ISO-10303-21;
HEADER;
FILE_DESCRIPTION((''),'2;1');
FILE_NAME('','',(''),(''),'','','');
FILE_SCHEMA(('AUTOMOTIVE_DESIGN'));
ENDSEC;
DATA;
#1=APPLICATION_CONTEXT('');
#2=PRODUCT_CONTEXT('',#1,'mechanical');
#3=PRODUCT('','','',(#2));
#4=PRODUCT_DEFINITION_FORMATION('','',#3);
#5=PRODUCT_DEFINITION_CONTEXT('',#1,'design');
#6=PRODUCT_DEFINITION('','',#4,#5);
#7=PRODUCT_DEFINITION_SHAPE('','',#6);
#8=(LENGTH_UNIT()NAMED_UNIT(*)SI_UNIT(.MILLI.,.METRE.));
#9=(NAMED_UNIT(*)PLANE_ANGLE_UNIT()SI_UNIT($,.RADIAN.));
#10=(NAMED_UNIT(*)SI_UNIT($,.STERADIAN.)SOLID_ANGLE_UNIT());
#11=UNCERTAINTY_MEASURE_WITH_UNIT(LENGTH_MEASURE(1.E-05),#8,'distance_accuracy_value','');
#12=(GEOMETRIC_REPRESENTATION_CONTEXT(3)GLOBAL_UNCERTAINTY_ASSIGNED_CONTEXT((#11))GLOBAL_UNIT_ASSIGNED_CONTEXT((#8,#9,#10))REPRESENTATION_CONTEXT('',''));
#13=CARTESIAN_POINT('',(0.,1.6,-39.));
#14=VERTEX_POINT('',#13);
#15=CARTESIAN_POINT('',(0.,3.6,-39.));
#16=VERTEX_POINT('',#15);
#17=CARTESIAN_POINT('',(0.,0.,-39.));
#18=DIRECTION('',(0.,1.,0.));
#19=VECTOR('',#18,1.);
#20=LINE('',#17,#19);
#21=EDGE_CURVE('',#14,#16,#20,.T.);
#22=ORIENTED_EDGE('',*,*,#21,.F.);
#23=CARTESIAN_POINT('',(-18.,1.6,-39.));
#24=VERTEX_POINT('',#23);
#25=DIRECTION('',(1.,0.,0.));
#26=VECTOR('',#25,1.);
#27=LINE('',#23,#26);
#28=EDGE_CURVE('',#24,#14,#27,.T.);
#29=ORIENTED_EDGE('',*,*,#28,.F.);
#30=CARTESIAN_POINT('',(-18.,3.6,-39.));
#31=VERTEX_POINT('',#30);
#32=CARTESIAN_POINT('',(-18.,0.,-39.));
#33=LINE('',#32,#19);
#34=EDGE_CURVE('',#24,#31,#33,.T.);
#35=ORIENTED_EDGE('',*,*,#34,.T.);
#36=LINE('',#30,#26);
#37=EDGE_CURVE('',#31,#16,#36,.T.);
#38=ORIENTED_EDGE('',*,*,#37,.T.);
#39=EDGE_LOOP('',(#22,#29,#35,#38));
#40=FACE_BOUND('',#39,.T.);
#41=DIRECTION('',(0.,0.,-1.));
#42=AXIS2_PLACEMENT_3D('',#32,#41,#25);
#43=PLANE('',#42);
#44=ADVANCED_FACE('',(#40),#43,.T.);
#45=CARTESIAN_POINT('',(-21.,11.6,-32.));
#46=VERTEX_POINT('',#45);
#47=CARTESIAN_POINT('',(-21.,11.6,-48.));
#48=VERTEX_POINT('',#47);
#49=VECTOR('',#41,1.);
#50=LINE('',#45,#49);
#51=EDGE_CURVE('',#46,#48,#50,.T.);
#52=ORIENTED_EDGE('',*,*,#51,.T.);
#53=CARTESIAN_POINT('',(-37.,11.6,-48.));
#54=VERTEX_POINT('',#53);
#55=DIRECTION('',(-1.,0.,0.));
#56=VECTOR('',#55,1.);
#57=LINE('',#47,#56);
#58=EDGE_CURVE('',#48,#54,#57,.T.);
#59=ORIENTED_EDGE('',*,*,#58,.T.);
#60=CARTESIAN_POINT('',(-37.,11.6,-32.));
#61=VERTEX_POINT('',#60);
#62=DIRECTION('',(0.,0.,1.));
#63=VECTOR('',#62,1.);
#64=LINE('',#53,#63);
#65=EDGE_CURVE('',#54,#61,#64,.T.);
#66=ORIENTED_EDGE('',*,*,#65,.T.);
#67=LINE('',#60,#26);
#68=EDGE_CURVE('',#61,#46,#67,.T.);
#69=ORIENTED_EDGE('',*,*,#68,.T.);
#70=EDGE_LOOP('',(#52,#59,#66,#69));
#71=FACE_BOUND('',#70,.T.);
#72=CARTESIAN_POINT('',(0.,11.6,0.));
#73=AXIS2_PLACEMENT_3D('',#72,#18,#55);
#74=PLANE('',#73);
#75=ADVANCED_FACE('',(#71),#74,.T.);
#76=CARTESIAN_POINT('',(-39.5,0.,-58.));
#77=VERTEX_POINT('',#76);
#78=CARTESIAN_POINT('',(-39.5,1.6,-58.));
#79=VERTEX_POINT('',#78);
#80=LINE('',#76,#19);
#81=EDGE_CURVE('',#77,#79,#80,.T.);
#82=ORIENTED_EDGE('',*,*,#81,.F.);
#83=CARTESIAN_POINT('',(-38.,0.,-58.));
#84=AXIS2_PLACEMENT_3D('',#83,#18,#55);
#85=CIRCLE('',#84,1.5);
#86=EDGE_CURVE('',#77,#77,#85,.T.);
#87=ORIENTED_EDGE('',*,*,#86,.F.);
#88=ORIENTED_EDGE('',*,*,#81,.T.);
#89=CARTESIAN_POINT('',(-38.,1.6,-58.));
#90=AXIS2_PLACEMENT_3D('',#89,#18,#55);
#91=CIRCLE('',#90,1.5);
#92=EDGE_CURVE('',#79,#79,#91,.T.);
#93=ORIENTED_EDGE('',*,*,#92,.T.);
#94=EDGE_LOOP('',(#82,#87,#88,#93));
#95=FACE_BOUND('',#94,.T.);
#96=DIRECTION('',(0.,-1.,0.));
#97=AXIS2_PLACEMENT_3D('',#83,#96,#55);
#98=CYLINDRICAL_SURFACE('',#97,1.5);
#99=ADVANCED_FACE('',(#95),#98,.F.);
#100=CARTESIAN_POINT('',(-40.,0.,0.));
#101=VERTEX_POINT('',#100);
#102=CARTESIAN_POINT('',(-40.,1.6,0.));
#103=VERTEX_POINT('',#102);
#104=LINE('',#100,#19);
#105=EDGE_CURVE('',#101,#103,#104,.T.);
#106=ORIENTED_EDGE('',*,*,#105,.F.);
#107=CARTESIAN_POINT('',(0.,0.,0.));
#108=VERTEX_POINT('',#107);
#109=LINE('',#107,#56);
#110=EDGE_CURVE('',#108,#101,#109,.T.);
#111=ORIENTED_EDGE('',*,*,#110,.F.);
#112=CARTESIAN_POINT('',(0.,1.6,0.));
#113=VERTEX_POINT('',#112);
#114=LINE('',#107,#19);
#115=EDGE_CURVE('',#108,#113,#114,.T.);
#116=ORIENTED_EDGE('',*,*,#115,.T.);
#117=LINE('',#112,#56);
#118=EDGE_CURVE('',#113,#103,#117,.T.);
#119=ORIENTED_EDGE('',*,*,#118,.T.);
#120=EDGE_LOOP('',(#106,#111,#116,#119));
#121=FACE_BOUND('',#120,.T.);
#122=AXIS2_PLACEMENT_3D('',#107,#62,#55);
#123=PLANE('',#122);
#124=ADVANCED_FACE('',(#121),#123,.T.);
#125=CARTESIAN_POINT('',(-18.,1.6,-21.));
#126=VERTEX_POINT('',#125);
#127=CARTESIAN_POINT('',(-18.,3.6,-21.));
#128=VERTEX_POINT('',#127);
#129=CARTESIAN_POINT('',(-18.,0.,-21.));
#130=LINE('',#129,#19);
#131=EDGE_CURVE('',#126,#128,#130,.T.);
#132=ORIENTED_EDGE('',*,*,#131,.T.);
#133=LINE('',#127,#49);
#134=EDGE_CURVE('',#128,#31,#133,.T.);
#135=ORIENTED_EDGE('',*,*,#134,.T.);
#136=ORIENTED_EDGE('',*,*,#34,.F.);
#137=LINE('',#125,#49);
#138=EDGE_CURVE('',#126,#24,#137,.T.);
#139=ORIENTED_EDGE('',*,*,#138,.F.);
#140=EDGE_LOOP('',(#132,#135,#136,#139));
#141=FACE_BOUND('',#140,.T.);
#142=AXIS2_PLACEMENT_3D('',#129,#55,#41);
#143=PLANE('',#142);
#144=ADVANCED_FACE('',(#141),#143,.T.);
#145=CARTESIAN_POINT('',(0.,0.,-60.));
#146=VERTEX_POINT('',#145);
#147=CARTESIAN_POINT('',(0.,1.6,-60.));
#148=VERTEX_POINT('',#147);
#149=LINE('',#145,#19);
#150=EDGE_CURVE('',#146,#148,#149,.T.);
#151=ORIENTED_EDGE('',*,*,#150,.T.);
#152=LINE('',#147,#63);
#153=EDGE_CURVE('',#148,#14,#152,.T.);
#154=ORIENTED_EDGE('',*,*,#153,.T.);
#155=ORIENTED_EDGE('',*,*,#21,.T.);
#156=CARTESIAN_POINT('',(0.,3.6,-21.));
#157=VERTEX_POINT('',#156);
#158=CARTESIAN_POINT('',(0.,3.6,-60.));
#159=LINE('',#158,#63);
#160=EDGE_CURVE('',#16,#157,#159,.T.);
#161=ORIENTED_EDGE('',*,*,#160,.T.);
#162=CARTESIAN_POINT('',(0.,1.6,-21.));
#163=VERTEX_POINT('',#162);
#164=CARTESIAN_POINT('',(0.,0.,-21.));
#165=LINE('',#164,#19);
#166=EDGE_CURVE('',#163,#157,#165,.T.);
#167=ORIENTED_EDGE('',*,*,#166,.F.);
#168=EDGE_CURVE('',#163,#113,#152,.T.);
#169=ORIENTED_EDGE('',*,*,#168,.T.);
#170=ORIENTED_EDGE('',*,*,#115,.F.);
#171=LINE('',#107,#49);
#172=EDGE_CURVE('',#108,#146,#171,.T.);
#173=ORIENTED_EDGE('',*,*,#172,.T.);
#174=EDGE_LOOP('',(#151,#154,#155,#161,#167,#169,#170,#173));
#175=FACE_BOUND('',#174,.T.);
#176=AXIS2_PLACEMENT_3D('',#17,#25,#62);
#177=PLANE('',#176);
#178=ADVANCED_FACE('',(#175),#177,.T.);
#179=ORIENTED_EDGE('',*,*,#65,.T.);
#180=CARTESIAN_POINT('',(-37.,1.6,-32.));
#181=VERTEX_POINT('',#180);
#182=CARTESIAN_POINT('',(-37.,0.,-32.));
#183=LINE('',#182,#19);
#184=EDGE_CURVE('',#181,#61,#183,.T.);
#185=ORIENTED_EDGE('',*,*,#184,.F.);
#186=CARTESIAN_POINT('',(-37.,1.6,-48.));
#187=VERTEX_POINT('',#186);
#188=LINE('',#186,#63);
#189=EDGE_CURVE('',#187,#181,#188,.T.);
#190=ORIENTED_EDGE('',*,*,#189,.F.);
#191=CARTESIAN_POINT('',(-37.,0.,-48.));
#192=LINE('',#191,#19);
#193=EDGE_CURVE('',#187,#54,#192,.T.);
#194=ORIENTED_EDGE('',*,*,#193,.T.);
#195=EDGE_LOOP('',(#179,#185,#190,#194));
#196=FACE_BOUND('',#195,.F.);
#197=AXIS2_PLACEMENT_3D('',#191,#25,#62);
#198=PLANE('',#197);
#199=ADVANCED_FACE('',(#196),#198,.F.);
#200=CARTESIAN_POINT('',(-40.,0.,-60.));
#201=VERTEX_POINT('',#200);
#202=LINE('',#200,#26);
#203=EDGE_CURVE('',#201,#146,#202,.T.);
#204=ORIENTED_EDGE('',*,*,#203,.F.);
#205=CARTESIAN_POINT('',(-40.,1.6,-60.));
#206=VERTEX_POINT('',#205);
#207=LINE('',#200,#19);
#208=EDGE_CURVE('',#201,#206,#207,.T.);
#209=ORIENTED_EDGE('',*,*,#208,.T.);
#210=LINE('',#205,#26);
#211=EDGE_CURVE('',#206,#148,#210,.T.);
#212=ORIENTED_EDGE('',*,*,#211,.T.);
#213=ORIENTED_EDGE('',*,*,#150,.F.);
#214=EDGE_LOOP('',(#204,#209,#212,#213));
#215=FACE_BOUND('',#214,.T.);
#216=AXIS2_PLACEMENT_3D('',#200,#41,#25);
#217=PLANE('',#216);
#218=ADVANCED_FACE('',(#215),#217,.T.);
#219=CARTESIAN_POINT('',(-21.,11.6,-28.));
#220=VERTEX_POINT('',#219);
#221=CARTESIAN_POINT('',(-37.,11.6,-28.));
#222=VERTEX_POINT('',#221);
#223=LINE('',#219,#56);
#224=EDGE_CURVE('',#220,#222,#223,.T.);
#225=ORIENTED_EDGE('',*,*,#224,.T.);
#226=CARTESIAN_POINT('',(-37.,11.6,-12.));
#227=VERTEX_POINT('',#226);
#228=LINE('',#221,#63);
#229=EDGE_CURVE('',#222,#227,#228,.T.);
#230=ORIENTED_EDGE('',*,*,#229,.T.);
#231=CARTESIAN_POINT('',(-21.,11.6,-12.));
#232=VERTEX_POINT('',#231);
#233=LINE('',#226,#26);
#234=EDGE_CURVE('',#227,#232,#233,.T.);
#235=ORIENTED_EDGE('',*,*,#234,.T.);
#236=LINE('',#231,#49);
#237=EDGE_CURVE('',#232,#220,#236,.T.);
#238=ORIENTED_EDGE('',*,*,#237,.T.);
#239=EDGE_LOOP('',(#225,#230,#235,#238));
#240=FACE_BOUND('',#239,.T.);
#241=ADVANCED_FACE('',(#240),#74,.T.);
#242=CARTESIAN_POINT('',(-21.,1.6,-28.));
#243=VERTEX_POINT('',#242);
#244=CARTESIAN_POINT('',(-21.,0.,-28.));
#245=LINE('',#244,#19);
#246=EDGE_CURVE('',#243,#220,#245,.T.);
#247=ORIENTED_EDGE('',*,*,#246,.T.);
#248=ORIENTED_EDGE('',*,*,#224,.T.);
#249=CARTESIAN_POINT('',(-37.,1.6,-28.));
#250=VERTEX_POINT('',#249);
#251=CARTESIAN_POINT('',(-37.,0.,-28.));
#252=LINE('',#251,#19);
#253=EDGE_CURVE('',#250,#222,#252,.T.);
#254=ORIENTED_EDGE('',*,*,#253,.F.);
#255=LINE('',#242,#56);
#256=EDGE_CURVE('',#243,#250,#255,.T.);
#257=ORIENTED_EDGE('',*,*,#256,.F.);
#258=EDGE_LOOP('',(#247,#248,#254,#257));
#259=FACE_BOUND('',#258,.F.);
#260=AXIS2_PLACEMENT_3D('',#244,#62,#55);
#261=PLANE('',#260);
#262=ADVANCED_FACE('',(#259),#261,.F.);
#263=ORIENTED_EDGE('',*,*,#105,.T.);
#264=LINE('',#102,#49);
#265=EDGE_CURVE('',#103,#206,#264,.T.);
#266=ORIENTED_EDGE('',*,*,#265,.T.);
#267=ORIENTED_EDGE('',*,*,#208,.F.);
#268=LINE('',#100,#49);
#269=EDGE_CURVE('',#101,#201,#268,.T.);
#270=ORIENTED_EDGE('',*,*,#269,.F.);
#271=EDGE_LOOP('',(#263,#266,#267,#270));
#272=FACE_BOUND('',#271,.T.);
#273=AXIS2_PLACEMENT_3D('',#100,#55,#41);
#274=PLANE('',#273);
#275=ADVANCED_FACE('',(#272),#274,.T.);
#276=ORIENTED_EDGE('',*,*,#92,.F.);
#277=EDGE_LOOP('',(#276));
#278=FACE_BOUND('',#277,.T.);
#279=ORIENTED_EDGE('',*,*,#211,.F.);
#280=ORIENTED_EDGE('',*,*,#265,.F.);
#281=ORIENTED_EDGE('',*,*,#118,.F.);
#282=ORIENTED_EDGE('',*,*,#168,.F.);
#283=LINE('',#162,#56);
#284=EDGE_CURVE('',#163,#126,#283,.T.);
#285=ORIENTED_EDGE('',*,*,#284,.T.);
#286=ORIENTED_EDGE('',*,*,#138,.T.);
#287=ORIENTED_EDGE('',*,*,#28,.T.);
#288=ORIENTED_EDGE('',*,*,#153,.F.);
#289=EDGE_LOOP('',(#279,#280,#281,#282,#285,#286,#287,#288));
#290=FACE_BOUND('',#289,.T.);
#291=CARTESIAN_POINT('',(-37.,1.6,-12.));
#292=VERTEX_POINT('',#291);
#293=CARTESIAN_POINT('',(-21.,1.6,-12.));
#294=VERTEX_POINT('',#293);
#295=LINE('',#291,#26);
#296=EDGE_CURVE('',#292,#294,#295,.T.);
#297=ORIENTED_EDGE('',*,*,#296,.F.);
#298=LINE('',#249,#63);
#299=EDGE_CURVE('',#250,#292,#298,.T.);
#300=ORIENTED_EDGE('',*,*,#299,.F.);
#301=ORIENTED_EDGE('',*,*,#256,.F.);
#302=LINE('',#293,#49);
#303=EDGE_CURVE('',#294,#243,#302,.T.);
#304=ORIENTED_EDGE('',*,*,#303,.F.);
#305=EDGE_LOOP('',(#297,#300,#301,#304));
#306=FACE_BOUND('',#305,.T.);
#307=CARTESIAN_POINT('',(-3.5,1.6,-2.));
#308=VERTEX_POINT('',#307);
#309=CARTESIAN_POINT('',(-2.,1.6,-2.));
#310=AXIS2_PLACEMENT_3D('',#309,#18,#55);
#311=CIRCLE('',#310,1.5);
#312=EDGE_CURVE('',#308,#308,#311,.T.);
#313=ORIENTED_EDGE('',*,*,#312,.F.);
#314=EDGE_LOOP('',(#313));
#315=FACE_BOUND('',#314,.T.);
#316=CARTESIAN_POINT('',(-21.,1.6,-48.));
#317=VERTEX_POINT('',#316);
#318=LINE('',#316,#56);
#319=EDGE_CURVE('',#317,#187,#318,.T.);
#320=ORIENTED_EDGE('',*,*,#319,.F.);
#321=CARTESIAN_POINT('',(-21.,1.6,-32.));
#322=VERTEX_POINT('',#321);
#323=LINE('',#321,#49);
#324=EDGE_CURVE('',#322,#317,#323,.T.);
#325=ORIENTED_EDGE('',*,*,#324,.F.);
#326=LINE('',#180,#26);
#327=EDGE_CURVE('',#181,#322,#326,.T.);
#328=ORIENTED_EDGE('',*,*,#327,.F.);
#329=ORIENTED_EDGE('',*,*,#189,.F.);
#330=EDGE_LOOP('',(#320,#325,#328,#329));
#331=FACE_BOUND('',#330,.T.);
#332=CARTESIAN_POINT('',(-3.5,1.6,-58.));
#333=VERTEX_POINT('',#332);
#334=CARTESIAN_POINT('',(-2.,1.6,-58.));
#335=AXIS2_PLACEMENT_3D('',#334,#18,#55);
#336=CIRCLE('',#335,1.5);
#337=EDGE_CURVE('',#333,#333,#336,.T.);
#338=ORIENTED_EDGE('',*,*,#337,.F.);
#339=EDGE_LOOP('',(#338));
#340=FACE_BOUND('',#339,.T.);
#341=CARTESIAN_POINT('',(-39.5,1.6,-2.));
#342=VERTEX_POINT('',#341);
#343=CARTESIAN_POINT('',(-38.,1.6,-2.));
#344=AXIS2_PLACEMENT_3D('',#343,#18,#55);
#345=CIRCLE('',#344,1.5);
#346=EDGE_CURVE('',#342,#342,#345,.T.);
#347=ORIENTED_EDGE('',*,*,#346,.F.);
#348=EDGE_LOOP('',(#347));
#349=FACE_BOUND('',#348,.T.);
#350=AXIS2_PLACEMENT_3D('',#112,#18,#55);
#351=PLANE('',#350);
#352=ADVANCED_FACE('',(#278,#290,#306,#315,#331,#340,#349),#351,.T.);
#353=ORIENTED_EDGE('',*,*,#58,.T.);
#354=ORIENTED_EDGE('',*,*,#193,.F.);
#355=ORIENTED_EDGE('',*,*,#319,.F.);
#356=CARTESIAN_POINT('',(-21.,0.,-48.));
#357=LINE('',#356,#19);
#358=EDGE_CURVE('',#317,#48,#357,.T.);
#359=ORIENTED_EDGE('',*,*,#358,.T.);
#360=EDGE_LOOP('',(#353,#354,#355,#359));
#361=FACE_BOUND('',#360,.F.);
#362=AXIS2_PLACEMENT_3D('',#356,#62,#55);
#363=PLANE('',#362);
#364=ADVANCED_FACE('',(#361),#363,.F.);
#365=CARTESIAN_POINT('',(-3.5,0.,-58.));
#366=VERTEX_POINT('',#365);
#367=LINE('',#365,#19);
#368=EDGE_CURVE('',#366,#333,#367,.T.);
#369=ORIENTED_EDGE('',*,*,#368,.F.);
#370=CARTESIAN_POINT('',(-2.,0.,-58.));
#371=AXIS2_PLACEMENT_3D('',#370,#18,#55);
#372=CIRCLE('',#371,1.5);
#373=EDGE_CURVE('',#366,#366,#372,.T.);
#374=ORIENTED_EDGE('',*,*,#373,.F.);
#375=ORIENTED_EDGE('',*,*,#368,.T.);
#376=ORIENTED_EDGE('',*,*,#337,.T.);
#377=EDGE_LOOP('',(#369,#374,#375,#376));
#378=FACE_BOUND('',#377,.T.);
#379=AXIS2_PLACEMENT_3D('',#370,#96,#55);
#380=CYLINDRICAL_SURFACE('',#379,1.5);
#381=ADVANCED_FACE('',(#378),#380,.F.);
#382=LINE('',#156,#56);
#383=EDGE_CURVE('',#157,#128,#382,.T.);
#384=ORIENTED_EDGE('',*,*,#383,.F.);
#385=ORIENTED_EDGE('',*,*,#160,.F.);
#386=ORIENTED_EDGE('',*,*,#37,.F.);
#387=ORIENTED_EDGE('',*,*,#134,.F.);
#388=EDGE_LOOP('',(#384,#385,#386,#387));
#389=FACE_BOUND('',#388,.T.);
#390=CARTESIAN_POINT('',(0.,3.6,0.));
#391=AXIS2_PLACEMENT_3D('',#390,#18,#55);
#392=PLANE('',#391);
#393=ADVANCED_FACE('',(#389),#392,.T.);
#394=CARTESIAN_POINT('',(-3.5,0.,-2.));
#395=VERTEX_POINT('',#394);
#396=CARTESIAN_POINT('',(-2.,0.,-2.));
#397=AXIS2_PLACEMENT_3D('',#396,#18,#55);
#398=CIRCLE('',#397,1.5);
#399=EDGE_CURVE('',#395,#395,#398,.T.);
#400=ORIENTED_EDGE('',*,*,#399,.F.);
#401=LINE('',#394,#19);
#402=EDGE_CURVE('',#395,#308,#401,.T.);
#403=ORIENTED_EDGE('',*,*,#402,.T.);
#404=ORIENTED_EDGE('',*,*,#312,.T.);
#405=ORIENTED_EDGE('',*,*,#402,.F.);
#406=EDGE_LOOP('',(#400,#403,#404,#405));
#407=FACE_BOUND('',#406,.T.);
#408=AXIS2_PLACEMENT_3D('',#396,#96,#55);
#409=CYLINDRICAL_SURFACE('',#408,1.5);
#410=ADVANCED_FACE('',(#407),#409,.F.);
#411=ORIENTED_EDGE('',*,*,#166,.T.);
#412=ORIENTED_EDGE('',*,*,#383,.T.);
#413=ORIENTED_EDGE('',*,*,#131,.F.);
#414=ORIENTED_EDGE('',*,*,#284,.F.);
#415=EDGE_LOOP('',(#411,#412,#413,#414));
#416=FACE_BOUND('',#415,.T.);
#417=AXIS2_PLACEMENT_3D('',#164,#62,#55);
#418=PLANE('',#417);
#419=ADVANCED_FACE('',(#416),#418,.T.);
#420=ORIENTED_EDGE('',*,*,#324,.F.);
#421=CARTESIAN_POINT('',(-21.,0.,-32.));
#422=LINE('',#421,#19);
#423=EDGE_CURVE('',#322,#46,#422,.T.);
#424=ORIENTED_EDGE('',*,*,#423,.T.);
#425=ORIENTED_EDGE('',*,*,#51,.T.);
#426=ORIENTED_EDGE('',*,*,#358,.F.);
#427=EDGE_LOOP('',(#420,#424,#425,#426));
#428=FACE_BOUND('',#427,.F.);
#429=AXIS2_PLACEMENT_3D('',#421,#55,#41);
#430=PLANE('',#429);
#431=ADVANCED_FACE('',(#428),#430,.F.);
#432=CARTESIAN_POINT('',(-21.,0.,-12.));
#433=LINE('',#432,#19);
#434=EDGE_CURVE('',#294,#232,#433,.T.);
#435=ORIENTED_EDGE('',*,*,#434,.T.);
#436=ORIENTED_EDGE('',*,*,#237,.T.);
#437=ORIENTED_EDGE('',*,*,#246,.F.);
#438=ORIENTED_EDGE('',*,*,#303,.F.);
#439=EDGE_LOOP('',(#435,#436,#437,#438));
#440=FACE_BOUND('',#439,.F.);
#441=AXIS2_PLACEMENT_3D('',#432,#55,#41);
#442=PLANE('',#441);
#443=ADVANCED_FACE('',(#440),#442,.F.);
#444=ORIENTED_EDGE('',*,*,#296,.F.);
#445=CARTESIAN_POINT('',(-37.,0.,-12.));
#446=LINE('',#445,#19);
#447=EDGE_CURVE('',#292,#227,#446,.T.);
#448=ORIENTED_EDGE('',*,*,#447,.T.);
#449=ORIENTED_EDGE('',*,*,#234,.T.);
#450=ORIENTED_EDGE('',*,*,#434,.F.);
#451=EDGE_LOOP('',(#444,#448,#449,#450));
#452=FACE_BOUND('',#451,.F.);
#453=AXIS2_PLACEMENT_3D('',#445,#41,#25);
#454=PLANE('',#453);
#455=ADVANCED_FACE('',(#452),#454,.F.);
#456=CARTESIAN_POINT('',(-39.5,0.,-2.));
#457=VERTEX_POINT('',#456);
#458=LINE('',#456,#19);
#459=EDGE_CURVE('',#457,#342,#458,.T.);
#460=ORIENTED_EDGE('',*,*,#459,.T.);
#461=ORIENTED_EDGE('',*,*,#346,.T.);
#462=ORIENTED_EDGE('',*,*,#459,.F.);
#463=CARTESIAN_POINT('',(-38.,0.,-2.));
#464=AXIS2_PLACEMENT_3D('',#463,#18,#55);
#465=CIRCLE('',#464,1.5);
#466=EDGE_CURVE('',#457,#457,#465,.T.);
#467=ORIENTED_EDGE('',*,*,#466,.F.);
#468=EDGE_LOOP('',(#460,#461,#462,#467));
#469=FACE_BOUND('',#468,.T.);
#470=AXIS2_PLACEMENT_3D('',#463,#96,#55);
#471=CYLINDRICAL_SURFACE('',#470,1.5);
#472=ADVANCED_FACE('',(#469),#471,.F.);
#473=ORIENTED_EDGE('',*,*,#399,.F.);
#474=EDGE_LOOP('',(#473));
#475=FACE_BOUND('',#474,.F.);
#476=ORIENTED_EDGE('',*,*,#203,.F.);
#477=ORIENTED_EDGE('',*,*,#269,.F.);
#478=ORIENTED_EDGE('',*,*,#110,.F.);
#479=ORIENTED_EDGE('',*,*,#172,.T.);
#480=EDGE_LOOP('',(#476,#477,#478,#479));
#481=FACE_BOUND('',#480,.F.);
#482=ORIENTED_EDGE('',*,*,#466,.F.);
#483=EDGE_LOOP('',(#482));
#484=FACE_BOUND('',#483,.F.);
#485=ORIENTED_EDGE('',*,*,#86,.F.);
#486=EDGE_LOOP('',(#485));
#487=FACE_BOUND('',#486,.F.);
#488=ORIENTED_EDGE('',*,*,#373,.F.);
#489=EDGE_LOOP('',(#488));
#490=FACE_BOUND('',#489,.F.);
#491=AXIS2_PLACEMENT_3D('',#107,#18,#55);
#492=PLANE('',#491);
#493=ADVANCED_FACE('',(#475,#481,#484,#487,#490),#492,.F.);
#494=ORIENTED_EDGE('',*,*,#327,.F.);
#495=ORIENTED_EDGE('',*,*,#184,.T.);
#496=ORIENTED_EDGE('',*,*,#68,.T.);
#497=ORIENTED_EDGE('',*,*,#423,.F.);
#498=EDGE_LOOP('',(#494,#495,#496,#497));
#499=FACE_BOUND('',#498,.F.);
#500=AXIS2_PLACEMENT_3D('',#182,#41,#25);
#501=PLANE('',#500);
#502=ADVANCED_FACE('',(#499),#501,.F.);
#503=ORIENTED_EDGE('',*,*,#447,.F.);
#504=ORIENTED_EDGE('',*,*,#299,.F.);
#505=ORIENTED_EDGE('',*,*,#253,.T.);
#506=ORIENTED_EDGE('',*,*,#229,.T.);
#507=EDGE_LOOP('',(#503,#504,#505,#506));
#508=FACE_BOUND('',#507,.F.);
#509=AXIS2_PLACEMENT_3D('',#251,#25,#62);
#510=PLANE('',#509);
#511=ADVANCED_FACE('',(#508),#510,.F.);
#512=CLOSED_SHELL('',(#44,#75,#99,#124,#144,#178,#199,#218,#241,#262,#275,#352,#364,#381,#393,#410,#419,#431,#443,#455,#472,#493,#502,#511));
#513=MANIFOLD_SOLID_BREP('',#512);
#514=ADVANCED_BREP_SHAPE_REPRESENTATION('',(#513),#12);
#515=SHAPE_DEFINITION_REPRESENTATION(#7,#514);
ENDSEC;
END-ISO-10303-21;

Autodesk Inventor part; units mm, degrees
ref_plane "YZ Plane" through (0, 0, 0) normal (1, 0, 0) x (0, 1, 0)
ref_plane "XZ Plane" through (0, 0, 0) normal (0, 1, 0) x (-1, 0, 0)
ref_plane "XY Plane" through (0, 0, 0) normal (0, 0, 1) x (1, 0, 0)
sketch "Эскиз1" plane through (0, 0, 0) normal (0, 1, 0) x (-1, 0, 0)
  line L0 (0, 0) -> (40, 0)
  line L1 (40, 0) -> (40, -60)
  line L2 (40, -60) -> (0, -60)
  line L3 (0, -60) -> (0, 0)
  line L4 (37, -12) -> (21, -12)
  line L5 (21, -12) -> (21, -28)
  line L6 (21, -28) -> (37, -28)
  line L7 (37, -28) -> (37, -12)
  line L8 (37, -32) -> (21, -32)
  line L9 (21, -32) -> (21, -48)
  line L10 (21, -48) -> (37, -48)
  line L11 (37, -48) -> (37, -32)
  line L12 (0, -21) -> (18, -21)
  line L13 (18, -21) -> (18, -39)
  line L14 (18, -39) -> (0, -39)
  line L15 (0, -39) -> (0, -21)
  circle A0 centre (2, -2) radius 1.5
  circle A1 centre (2, -58) radius 1.5
  circle A2 centre (38, -2) radius 1.5
  circle A3 centre (38, -58) radius 1.5
  point P0 (0, -39)
  dimension "d0" = 40
  dimension "d1" = 60
  dimension "d2" = 16
  dimension "d3" = 16
  dimension "d4" = 3
  dimension "d5" = 12
  dimension "d6" = 16
  dimension "d7" = 16
  dimension "d8" = 4
  dimension "d9" = 3
  dimension "d10" = 18
  dimension "d11" = 18
  dimension "d12" = 21
  dimension "d13" = 3
  dimension "d14" = 2
  dimension "d15" = 2
  dimension "d18" = 56
  dimension "d21" = 36
extrude "Выдавливание1" add sketch "Эскиз1" along normal blind 1.6 contours L0 L1 L2 L3 L14 L13 L12
extrude "Выдавливание2" add sketch "Эскиз1" along normal blind 11.6 contours L7 L6 L5 L4 | L11 L10 L9 L8
extrude "Выдавливание3" add sketch "Эскиз1" along normal blind 3.6 contours L12 L13 L14 L3
properties part number "plate"
